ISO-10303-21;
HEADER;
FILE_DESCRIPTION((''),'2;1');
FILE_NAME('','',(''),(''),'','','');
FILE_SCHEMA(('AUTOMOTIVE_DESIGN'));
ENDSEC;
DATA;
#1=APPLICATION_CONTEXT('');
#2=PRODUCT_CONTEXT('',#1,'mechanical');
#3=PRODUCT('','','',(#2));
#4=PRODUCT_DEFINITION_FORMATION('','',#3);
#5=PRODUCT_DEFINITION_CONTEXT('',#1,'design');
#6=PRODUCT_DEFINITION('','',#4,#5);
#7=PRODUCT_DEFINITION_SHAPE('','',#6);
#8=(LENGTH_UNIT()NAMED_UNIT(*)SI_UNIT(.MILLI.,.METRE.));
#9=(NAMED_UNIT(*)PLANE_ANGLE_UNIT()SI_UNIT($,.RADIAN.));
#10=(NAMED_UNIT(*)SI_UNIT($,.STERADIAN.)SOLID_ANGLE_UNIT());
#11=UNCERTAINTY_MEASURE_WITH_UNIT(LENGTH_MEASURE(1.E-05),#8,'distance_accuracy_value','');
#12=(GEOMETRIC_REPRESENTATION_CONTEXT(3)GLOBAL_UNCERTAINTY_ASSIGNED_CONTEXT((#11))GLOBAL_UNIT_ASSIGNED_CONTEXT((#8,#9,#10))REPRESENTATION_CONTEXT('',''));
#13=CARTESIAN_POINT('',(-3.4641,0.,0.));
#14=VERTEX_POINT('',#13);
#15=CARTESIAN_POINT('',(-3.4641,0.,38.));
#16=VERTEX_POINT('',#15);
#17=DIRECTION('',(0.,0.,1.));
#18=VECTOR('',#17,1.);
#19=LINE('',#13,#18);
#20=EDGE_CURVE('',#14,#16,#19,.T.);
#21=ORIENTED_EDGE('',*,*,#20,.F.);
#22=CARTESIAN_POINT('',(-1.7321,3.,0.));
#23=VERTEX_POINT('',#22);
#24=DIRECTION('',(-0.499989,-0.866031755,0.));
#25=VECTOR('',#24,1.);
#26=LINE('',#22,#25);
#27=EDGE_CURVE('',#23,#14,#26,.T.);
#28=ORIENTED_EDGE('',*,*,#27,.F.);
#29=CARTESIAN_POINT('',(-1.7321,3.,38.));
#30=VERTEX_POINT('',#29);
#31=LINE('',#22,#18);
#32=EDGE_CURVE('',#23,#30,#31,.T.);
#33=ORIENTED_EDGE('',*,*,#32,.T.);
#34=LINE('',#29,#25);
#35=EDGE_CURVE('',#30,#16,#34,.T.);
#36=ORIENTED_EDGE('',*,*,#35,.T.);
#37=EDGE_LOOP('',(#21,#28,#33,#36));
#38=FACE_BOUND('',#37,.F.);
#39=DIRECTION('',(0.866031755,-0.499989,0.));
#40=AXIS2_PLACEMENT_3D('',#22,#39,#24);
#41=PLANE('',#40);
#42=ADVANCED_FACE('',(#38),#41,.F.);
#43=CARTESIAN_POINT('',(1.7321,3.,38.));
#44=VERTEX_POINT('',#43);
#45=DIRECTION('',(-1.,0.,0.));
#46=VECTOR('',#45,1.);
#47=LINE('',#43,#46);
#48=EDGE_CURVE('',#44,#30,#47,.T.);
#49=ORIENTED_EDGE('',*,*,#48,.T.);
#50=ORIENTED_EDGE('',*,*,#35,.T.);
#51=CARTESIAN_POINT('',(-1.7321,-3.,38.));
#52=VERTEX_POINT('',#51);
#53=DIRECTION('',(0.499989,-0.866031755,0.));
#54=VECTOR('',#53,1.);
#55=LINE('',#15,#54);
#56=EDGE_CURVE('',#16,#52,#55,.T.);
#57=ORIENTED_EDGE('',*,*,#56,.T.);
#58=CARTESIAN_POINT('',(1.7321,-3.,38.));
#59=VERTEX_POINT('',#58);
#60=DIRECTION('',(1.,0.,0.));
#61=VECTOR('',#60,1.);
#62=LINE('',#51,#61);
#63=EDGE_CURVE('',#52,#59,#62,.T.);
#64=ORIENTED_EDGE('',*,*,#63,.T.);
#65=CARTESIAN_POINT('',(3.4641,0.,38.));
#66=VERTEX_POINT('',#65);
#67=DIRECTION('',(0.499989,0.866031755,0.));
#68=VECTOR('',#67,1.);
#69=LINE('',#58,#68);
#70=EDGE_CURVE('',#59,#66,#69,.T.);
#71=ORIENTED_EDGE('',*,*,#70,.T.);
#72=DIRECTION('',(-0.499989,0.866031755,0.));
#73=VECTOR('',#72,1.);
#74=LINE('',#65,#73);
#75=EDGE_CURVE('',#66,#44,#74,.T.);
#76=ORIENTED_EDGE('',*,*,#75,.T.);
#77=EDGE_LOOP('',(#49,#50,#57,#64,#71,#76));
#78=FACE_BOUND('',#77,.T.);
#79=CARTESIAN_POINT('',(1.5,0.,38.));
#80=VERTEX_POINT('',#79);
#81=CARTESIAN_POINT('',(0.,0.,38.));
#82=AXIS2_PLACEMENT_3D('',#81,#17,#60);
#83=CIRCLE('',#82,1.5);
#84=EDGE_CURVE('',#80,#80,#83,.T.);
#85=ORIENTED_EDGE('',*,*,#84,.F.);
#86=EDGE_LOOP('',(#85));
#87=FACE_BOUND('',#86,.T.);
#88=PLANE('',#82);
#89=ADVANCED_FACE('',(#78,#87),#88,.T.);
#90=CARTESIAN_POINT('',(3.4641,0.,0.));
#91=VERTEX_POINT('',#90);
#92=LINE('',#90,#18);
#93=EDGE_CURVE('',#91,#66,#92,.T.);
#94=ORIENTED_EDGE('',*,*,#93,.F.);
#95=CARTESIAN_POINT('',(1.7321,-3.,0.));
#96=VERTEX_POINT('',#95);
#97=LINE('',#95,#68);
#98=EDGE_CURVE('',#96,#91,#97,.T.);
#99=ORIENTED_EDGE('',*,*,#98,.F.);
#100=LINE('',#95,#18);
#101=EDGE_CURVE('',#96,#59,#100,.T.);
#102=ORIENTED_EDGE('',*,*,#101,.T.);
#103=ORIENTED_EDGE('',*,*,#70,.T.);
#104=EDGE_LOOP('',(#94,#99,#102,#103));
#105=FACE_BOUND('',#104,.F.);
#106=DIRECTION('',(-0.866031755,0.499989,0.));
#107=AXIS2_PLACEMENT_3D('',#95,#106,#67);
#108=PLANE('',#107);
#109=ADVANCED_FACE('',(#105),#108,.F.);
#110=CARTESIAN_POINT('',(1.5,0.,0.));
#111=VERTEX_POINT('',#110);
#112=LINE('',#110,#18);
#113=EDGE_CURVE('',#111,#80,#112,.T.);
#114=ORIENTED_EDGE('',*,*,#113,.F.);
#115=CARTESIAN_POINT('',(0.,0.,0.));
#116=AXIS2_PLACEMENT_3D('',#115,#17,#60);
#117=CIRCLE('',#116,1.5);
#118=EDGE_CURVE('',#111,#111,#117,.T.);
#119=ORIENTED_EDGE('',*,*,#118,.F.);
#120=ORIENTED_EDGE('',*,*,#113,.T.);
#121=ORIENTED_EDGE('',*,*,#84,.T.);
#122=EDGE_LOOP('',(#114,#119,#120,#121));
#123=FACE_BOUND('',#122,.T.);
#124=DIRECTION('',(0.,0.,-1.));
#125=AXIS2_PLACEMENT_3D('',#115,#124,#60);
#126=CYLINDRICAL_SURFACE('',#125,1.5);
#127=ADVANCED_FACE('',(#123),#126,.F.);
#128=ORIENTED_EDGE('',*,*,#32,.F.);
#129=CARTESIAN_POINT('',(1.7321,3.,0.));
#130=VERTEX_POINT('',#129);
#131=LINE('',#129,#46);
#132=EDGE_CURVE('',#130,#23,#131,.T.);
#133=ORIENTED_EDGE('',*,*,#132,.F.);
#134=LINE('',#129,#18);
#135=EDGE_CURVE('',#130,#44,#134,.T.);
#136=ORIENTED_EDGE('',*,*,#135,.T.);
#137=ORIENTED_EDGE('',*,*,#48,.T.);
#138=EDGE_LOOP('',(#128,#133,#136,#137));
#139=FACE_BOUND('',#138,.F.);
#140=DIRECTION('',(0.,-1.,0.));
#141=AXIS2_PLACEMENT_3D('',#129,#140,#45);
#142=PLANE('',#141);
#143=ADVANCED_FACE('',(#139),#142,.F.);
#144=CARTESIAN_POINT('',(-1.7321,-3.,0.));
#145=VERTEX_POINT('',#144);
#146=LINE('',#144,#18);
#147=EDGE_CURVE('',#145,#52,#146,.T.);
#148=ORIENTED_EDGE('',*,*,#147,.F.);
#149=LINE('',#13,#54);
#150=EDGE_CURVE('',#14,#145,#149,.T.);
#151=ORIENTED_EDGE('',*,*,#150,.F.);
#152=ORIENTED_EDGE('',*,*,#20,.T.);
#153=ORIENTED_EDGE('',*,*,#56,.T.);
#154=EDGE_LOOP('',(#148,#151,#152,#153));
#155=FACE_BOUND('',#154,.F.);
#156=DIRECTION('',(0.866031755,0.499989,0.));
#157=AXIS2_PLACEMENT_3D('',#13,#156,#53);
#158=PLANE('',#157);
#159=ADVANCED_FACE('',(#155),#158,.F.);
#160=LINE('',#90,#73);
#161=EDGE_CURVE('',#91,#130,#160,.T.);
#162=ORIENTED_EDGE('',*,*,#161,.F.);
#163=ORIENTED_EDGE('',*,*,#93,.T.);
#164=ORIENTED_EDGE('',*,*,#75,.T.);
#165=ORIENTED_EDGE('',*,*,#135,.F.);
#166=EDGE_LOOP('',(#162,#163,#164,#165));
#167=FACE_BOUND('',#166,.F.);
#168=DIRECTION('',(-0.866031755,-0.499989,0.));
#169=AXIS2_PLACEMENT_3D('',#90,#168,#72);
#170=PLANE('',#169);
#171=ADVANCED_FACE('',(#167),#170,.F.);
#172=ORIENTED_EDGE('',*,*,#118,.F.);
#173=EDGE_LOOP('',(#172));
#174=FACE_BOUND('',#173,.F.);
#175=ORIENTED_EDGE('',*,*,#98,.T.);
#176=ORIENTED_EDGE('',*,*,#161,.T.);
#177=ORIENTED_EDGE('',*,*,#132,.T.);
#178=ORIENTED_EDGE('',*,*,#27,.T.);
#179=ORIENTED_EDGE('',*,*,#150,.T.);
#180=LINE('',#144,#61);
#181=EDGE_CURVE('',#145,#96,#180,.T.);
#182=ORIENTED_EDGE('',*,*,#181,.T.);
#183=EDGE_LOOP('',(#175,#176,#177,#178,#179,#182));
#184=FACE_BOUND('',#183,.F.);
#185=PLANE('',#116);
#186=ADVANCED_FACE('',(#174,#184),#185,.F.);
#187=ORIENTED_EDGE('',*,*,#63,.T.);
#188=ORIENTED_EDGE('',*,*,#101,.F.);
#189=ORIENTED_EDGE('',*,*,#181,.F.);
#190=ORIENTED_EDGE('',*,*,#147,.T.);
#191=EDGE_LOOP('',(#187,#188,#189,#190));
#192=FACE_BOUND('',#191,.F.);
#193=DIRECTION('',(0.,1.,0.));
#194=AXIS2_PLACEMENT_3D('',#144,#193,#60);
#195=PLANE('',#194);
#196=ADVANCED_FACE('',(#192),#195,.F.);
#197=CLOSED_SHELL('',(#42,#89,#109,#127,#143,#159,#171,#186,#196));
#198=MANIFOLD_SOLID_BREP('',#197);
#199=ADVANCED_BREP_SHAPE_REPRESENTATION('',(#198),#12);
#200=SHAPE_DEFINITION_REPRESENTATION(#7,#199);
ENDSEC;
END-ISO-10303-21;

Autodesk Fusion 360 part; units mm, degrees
sketch "Sketch1" plane through (0, 0, 0) normal (0, 0, 1) x (1, 0, 0)
  line L0 (1.7321, -3) -> (3.4641, 0)
  line L1 (3.4641, 0) -> (1.7321, 3)
  line L2 (1.7321, 3) -> (-1.7321, 3)
  line L3 (-1.7321, 3) -> (-3.4641, 0)
  line L4 (-3.4641, 0) -> (-1.7321, -3)
  line L5 (-1.7321, -3) -> (1.7321, -3)
  circle A0 centre (0, 0) radius 1.5
  dimension "d1" = 3
  dimension "d2" = 3
extrude "Extrude1" add sketch "Sketch1" along normal blind 38
